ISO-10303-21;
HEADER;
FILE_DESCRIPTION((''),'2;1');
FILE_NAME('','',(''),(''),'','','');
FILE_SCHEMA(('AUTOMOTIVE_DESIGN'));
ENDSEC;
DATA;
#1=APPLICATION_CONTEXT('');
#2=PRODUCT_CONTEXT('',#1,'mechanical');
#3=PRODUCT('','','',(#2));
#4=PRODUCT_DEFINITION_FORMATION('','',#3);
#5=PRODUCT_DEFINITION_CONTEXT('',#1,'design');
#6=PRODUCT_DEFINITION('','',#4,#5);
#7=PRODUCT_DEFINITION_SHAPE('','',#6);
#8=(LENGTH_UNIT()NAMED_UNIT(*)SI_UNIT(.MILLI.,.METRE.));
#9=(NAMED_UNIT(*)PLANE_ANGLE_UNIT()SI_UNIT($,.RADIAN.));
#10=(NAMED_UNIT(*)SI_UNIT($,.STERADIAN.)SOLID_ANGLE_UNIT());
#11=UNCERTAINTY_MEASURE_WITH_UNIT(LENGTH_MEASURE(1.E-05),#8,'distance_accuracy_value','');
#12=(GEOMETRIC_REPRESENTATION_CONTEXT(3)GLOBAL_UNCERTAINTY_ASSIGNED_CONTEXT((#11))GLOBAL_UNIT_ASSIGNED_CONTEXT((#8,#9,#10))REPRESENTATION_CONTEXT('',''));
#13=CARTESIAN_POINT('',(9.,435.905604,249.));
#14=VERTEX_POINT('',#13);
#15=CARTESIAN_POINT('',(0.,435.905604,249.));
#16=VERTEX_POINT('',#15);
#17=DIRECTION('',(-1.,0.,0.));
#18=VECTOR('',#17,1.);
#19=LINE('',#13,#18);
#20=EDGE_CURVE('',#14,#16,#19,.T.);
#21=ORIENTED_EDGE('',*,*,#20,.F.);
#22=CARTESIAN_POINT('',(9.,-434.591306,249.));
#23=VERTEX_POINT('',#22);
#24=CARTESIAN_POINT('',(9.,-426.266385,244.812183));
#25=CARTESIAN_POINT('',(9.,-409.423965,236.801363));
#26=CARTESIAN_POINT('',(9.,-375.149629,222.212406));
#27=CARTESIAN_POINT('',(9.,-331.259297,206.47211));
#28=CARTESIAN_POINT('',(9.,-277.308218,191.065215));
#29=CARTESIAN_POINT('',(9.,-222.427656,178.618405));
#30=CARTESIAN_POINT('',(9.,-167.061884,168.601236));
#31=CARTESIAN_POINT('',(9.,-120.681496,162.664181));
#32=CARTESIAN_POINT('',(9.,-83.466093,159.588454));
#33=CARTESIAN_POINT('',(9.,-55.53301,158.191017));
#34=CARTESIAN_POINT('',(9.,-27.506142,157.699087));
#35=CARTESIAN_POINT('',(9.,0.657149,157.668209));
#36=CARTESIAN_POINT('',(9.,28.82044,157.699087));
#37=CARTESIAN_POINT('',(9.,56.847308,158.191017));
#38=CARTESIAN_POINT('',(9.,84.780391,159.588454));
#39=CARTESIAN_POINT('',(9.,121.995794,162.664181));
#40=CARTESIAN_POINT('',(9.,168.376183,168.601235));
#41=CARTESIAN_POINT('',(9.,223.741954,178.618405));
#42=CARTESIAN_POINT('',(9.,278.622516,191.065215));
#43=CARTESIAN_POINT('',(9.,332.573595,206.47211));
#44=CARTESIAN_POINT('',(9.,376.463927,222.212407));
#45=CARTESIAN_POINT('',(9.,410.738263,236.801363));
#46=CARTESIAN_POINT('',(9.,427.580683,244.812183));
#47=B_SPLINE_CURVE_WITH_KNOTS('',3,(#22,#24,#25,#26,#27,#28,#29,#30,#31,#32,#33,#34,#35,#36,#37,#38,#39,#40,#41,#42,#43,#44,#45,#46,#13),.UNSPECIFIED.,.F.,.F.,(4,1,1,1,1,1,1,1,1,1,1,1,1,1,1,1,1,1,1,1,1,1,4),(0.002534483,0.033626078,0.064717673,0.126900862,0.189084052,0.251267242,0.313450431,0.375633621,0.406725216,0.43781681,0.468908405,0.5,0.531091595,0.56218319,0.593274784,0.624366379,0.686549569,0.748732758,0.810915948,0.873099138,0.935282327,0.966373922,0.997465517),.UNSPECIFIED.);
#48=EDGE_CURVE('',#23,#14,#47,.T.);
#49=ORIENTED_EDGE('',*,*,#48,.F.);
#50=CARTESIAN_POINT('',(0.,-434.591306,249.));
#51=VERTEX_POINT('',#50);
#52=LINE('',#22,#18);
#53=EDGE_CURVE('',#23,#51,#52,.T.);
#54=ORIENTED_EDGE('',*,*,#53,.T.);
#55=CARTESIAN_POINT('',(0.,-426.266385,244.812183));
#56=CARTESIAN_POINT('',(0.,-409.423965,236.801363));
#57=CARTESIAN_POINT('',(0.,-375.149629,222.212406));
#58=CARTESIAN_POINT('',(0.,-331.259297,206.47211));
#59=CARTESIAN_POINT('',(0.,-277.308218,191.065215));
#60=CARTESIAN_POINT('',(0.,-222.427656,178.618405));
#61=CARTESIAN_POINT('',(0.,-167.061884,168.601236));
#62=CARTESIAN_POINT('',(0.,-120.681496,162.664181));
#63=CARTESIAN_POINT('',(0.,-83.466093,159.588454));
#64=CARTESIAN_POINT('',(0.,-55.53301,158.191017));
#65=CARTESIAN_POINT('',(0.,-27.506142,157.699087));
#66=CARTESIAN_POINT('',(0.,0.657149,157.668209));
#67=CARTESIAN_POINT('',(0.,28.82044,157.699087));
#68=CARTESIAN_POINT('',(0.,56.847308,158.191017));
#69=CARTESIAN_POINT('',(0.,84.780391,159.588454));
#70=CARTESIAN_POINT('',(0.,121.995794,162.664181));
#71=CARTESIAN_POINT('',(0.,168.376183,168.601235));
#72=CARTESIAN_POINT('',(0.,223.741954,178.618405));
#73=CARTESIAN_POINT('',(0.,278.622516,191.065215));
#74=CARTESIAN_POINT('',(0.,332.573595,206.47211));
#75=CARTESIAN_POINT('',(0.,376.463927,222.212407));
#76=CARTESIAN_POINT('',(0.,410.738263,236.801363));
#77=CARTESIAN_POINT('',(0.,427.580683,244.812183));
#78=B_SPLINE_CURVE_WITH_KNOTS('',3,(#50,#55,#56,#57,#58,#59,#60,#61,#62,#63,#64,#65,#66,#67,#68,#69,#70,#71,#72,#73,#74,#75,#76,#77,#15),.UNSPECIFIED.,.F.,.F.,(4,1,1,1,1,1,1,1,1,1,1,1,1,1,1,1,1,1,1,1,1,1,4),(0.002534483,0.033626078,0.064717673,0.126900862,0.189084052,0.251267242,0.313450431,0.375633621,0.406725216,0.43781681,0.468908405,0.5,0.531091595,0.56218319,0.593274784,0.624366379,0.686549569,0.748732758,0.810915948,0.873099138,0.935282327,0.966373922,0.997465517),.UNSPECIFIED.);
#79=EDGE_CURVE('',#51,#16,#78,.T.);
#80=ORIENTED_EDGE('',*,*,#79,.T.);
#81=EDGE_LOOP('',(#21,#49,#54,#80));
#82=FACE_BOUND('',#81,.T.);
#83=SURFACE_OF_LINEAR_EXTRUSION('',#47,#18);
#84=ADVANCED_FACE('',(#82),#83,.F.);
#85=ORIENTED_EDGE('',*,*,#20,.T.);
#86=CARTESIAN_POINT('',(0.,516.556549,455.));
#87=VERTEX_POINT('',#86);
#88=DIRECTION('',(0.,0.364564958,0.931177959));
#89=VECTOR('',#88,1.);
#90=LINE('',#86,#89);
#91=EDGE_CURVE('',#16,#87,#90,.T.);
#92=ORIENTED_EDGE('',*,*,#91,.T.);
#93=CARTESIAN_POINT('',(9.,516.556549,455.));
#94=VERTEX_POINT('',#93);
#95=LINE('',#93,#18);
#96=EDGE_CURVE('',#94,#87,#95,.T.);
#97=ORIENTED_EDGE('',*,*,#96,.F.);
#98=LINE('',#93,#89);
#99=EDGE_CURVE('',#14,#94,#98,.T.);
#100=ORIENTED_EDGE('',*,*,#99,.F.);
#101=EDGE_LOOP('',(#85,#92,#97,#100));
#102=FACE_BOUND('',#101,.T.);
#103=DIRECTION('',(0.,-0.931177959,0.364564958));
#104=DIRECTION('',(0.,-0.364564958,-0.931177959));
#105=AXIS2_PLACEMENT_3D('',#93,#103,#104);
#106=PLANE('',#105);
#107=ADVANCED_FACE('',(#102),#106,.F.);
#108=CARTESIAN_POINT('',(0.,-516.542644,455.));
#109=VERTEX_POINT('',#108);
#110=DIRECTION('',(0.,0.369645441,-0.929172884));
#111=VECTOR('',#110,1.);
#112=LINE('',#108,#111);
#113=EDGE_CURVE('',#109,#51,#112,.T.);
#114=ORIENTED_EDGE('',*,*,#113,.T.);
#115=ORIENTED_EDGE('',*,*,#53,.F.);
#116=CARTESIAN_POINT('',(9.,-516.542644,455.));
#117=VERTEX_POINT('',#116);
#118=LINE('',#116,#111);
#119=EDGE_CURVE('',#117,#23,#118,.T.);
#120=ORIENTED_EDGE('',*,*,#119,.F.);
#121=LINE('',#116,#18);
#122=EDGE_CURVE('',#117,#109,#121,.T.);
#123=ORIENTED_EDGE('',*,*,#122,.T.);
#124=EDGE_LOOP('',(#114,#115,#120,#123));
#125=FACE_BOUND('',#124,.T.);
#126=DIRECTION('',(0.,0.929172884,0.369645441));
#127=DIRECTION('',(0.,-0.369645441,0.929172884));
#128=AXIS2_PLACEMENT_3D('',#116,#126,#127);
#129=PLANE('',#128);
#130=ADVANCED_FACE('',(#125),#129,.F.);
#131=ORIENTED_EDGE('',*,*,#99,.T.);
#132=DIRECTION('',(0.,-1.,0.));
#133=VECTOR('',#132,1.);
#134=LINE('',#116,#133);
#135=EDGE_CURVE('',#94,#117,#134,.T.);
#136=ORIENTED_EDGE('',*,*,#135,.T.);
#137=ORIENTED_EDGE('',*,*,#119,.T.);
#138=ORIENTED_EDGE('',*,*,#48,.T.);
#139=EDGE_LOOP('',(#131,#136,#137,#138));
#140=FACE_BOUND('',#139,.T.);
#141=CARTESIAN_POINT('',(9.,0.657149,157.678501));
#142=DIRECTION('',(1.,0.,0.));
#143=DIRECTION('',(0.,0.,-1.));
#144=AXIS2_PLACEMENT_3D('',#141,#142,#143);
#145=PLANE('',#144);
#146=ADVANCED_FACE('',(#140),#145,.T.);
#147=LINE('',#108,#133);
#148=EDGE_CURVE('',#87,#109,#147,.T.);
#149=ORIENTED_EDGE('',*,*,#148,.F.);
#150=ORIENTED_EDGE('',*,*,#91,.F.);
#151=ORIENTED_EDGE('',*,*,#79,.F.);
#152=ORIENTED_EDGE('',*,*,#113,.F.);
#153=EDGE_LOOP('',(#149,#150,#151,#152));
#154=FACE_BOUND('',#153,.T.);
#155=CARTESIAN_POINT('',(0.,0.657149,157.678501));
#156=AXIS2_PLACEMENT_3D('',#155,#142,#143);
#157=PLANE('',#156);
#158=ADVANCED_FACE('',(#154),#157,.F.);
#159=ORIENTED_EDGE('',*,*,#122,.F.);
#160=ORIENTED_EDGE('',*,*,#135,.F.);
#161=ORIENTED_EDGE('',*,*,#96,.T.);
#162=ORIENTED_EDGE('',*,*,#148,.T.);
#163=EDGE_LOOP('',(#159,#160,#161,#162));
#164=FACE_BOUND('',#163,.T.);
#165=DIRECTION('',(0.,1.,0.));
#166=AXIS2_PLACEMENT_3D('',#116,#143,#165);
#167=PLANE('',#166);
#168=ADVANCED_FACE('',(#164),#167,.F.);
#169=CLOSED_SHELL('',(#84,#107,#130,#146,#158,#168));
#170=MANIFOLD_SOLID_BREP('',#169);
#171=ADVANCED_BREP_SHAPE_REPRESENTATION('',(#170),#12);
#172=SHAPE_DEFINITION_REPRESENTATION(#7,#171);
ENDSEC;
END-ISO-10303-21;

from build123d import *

# Parameters (mm, degrees)
EXTRUDE_2_DEPTH = 9


with BuildPart() as part:
    # Эскиз1 → Бобышка-Вытянуть2 (new body)
    with BuildSketch(Plane(origin=(0, 0, 0), x_dir=(0, 0, -1), z_dir=(1, 0, 0))):
        with BuildLine():
            Line((-455, -516.542644104), (-455, 516.556548518))
            Line((-455, 516.556548518), (-248.999999692, 435.905604479))
            add(Edge.make_bspline(
                [(-248.999999692, 435.905604479), (-244.812182794, 427.580683135), (-236.801363167, 410.73826292), (-222.212406758, 376.463926678), (-206.472110198, 332.573595341), (-191.065214882, 278.622516157), (-178.618404528, 223.741954043), (-168.601235151, 168.376182512), (-162.664180548, 121.995794186), (-159.588454358, 84.78039118), (-158.191016915, 56.847307797), (-157.699086883, 28.820440013), (-157.668208508, 0.657149051), (-157.69908686, -27.506141911), (-158.191016904, -55.533009684), (-159.588454431, -83.466093036), (-162.664180797, -120.681496001), (-168.601235656, -167.061884287), (-178.618405136, -222.427655869), (-191.065215126, -277.308218149), (-206.47210996, -331.259297463), (-222.212406313, -375.149628797), (-236.801362845, -409.423964908), (-244.812182664, -426.266385019), (-248.999999692, -434.591306286)],
                knots=[0.002534483, 0.002534483, 0.002534483, 0.002534483, 0.033626078, 0.064717673, 0.126900862, 0.189084052, 0.251267242, 0.313450431, 0.375633621, 0.406725216, 0.43781681, 0.468908405, 0.5, 0.531091595, 0.56218319, 0.593274784, 0.624366379, 0.686549569, 0.748732758, 0.810915948, 0.873099138, 0.935282327, 0.966373922, 0.997465517, 0.997465517, 0.997465517, 0.997465517], degree=3))
            Line((-248.999999692, -434.591306286), (-455, -516.542644104))
        make_face()
    extrude(amount=EXTRUDE_2_DEPTH)


solid = part.part
